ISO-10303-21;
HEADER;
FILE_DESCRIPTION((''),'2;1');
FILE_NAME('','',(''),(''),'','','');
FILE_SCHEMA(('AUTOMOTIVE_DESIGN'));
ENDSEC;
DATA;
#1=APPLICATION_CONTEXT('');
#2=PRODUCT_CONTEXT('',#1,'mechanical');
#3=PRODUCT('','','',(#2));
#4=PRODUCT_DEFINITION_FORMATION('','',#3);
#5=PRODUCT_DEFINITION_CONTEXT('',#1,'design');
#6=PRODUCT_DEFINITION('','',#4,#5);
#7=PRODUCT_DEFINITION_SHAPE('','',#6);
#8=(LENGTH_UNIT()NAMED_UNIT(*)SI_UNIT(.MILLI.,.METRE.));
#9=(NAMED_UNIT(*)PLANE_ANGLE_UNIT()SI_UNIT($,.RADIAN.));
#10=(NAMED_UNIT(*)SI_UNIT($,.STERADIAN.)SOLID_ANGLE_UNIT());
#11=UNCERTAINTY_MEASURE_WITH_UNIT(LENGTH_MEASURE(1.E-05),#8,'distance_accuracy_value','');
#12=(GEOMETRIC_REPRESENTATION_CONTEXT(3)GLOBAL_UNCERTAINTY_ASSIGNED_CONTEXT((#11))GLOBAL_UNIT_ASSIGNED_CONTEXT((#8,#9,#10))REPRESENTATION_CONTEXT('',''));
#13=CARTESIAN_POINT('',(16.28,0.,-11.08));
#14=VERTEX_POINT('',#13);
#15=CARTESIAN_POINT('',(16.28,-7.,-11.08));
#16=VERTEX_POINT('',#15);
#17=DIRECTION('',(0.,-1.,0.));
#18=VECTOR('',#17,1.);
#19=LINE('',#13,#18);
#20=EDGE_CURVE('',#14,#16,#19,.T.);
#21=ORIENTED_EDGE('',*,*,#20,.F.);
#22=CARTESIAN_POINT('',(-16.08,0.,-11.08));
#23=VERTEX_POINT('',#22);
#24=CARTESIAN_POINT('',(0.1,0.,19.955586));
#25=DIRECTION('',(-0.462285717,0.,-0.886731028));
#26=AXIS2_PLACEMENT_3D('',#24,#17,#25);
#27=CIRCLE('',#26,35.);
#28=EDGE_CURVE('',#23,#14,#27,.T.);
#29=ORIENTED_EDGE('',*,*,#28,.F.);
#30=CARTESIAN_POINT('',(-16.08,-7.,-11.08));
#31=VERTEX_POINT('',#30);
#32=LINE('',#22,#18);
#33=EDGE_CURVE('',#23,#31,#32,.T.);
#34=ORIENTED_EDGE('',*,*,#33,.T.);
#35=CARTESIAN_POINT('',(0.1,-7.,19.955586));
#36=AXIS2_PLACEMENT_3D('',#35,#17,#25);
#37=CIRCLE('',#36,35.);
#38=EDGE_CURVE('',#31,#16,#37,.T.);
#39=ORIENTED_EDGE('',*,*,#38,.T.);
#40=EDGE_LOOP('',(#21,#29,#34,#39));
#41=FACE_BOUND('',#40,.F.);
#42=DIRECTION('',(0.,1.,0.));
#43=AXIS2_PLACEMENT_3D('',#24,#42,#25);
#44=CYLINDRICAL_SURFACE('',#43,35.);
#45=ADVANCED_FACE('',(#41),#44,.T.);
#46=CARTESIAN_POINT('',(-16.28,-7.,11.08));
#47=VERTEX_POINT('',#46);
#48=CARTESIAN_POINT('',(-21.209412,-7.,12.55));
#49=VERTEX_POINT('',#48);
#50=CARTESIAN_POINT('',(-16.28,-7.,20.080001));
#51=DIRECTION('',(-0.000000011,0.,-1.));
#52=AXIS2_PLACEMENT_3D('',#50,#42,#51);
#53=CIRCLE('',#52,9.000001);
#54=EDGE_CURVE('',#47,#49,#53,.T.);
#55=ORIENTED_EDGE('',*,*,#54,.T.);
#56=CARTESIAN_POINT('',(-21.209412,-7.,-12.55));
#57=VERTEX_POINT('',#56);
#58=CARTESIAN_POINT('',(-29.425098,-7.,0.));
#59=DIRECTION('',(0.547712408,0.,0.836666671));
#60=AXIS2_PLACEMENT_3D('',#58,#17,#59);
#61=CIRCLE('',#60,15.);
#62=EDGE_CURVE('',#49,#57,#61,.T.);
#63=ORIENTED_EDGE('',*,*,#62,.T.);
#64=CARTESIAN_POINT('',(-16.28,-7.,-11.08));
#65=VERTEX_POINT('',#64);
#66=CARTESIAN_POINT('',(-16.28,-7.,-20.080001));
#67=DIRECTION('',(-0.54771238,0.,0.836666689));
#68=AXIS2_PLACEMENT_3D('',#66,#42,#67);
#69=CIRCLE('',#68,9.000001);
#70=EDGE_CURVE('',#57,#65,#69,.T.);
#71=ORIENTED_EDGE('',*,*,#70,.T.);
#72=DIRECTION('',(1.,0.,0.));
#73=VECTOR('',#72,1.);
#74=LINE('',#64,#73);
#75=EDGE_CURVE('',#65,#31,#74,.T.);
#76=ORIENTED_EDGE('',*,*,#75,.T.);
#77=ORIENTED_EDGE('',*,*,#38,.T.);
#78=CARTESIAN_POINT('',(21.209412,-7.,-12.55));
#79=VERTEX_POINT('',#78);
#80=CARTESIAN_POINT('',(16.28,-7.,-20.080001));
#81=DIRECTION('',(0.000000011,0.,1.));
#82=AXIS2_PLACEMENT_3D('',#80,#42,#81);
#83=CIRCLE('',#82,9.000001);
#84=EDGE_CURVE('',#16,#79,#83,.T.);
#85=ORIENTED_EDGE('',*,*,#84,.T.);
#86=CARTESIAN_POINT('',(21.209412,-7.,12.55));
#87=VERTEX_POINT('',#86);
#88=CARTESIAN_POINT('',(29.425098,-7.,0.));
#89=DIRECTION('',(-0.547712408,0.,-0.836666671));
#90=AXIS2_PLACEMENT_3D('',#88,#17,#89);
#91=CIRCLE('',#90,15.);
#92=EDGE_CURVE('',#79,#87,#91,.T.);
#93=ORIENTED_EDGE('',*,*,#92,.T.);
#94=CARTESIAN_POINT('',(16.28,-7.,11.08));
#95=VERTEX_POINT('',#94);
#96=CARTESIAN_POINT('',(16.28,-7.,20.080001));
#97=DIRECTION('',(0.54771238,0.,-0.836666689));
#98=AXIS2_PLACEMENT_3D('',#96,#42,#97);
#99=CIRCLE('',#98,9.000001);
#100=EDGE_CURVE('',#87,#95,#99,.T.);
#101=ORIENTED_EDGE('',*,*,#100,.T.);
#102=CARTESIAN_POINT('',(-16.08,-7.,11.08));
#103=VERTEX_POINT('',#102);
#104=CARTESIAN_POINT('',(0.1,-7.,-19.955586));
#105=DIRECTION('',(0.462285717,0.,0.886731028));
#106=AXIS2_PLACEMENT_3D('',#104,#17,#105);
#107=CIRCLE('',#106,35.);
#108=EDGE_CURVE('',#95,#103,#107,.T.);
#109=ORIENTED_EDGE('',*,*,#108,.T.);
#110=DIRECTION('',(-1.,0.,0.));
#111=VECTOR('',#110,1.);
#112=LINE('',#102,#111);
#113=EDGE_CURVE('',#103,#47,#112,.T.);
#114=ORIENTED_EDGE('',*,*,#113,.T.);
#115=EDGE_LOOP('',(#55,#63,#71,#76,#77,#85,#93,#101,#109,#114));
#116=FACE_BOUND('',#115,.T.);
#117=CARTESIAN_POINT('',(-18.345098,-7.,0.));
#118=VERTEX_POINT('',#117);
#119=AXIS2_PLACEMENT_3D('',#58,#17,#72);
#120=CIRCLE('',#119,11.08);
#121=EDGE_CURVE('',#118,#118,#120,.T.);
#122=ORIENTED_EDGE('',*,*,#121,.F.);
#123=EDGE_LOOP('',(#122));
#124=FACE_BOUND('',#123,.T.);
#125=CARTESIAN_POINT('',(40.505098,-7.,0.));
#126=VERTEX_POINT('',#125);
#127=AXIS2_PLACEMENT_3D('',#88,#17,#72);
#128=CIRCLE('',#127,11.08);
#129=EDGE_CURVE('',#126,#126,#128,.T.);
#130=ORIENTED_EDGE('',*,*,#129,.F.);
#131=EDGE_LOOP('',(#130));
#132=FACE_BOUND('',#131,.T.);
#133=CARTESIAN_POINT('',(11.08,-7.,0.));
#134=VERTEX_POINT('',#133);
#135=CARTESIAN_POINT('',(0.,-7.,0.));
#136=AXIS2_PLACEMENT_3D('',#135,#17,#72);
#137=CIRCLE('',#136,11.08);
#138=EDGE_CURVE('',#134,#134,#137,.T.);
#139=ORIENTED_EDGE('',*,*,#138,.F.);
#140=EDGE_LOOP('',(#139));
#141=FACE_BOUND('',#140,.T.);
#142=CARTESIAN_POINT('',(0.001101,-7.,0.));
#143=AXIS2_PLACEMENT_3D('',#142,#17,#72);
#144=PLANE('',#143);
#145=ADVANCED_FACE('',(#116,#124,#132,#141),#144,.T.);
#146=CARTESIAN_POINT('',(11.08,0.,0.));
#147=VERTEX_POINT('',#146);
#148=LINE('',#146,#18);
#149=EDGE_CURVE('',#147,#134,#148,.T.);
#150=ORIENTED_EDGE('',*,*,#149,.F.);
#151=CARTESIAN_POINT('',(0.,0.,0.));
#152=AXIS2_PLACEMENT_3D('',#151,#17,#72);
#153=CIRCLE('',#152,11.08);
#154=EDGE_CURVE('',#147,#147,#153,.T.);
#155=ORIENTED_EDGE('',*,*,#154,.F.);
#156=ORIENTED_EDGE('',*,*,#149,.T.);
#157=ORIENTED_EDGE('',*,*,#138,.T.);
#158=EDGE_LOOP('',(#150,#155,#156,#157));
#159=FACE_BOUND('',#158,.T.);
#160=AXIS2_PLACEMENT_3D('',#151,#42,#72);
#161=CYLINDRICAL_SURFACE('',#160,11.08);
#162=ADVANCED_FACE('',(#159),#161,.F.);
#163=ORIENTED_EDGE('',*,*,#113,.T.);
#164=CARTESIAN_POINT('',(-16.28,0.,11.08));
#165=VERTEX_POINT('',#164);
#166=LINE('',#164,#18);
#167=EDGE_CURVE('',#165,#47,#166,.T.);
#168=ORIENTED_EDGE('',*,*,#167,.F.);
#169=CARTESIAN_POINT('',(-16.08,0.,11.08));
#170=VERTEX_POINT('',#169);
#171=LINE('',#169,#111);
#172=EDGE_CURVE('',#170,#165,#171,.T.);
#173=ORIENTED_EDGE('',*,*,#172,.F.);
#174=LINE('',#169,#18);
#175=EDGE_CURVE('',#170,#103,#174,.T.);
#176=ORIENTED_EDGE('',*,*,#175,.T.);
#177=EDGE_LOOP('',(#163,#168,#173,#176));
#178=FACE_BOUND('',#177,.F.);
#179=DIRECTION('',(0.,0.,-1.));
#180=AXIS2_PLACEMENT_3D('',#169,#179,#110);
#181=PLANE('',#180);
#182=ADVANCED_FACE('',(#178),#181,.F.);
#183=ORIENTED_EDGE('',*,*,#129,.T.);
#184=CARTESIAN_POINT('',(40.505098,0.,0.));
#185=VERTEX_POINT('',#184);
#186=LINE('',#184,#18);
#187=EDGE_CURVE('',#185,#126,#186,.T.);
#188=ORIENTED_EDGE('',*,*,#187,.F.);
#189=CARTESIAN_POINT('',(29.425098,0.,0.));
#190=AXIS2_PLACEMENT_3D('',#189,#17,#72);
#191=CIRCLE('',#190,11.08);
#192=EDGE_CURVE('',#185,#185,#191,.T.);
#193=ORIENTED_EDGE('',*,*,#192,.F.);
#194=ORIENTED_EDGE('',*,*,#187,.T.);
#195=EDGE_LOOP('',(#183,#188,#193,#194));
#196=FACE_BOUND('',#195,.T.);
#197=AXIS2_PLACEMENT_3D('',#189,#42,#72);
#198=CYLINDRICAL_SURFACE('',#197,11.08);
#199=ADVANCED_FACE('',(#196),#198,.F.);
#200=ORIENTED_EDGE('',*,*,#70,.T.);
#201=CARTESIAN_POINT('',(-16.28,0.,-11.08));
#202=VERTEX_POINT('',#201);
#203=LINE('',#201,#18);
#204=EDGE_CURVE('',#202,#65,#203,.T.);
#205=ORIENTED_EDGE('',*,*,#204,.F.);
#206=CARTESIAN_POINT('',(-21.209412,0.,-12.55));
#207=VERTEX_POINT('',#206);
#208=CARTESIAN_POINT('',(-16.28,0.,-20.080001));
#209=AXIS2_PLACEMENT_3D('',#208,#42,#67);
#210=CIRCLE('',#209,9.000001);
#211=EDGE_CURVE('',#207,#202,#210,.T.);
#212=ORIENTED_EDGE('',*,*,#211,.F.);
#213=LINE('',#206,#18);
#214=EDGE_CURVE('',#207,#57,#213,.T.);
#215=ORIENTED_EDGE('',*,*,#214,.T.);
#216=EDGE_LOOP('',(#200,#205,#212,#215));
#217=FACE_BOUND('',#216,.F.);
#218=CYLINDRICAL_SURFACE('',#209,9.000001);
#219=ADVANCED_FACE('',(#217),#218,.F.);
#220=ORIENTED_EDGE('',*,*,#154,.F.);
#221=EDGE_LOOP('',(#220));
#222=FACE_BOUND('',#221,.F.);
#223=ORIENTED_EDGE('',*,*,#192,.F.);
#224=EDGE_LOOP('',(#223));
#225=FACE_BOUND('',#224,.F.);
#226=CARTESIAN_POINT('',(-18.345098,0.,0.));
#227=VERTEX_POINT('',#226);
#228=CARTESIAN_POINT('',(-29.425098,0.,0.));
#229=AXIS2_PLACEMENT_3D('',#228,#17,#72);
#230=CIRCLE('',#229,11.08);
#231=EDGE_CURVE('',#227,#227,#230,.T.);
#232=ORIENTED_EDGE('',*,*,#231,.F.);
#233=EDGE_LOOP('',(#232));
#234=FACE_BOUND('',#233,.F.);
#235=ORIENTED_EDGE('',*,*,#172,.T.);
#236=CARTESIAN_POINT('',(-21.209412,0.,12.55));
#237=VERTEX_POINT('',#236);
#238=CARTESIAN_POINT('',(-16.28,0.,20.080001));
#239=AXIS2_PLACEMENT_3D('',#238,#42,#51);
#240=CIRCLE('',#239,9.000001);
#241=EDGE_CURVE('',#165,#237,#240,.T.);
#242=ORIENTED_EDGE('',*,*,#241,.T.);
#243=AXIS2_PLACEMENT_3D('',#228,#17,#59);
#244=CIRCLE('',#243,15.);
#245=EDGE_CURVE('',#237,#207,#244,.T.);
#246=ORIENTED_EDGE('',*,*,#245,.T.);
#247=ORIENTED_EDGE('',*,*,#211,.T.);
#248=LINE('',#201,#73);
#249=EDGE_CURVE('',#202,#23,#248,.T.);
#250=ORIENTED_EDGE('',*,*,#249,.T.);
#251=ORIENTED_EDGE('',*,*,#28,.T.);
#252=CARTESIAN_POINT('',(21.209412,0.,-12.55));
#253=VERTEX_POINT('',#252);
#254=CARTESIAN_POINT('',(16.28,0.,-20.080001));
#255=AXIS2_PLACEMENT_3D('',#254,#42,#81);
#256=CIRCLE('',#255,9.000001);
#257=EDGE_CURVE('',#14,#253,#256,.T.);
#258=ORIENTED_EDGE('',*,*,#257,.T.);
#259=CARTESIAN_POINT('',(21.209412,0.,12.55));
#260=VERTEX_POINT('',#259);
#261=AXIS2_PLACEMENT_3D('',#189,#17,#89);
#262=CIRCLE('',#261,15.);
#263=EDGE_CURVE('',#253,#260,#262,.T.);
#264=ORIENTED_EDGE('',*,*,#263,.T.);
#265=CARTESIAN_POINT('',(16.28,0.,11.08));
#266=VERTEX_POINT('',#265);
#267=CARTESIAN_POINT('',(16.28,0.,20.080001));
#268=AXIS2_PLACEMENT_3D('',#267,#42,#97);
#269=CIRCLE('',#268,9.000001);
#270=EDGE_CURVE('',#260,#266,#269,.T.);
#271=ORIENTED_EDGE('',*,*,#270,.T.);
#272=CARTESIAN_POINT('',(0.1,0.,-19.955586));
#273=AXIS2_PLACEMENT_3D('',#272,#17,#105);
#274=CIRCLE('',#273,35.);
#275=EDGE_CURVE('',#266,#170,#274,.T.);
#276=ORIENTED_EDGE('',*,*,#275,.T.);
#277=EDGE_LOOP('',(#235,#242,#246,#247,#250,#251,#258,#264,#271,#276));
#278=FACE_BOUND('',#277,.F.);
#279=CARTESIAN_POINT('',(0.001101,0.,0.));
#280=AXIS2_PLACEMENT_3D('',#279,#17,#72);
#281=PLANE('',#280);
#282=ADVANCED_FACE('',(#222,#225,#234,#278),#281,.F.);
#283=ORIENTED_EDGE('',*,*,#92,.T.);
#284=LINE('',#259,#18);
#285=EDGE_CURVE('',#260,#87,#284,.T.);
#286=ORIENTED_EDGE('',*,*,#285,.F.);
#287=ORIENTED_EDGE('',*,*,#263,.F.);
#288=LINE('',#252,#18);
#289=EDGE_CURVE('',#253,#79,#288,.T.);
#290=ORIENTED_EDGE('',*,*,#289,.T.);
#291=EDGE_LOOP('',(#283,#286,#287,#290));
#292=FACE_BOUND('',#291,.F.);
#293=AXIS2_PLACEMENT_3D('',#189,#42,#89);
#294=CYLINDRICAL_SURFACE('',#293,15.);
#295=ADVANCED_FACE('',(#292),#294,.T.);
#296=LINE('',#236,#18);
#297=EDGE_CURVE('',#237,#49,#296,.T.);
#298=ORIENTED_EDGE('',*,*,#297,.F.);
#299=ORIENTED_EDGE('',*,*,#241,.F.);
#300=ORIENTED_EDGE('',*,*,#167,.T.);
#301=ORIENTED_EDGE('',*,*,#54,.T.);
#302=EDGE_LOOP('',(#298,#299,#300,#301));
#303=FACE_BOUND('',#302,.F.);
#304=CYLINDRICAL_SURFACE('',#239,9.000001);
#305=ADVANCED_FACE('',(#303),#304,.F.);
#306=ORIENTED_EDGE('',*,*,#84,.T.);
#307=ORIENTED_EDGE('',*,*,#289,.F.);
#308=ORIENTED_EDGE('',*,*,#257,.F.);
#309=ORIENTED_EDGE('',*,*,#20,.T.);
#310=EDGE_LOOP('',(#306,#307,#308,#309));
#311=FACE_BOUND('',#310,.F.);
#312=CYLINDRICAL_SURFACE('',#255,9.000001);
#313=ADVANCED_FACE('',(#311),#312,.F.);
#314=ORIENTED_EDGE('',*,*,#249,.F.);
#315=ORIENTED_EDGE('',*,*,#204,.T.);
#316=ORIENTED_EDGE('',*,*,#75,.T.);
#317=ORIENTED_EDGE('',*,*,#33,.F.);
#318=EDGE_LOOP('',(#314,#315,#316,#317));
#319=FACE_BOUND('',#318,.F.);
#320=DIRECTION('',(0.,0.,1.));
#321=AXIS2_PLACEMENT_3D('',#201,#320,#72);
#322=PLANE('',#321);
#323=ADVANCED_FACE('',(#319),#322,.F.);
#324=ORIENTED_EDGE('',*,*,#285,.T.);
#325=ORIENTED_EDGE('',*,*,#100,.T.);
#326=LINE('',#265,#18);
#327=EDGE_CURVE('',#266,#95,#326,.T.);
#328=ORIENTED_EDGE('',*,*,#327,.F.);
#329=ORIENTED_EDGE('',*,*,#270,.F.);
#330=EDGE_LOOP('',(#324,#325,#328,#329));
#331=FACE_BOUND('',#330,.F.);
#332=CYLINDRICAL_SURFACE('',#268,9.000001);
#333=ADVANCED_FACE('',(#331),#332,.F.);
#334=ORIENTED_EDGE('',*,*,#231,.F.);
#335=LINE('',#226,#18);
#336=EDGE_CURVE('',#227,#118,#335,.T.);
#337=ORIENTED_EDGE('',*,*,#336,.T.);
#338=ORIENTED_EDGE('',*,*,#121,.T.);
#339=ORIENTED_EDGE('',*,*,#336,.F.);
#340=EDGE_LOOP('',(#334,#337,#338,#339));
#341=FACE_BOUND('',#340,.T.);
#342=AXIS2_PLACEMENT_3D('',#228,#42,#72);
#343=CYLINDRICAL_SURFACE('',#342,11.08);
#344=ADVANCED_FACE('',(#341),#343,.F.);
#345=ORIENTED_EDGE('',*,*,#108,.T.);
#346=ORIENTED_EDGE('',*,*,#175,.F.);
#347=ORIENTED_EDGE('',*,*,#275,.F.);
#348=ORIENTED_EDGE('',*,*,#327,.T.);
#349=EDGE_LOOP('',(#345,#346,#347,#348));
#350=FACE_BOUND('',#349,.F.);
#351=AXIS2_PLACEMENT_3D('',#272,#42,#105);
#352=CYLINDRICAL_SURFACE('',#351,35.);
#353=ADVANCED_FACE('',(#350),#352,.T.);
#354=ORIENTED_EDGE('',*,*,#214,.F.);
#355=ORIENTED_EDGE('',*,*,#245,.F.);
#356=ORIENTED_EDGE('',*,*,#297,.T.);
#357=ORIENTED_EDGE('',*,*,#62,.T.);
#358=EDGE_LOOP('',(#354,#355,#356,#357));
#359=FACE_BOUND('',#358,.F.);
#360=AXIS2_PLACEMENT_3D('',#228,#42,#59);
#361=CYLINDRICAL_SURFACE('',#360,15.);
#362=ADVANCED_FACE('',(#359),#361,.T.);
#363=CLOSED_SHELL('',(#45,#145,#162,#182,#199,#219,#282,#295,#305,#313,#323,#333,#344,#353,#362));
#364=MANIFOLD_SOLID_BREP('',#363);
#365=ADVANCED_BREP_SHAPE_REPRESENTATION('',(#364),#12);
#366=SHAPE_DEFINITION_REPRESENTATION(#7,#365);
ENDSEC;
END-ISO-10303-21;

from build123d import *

# Parameters (mm, degrees)
F0_R     = 11.08
F1_DEPTH = 7


with BuildPart() as f1:
    # F0 (on Front) → F1 (new body)
    with BuildSketch(Plane.XZ):
        with BuildLine():
            ThreePointArc((16.28, 11.08), (0.1, 15.044414), (-16.08, 11.08))
            Line((-16.08, 11.08), (-16.28, 11.08))
            ThreePointArc((-16.28, 11.08), (-18.851964, 11.455326), (-21.209412, 12.55))
            ThreePointArc((-21.209412, 12.55), (-44.425098, 0), (-21.209412, -12.55))
            ThreePointArc((-21.209412, -12.55), (-18.851964, -11.455326), (-16.28, -11.08))
            Line((-16.28, -11.08), (-16.08, -11.08))
            ThreePointArc((-16.08, -11.08), (0.1, -15.044414), (16.28, -11.08))
            ThreePointArc((16.28, -11.08), (18.851964, -11.455326), (21.209412, -12.55))
            ThreePointArc((21.209412, -12.55), (44.425098, 0), (21.209412, 12.55))
            ThreePointArc((21.209412, 12.55), (18.851964, 11.455326), (16.28, 11.08))
        make_face()
        with Locations((-29.425098, 0)):
            Circle(F0_R, mode=Mode.SUBTRACT)
        Circle(F0_R, mode=Mode.SUBTRACT)
        with Locations((29.425098, 0)):
            Circle(F0_R, mode=Mode.SUBTRACT)
    extrude(amount=F1_DEPTH)


solid = f1.part
